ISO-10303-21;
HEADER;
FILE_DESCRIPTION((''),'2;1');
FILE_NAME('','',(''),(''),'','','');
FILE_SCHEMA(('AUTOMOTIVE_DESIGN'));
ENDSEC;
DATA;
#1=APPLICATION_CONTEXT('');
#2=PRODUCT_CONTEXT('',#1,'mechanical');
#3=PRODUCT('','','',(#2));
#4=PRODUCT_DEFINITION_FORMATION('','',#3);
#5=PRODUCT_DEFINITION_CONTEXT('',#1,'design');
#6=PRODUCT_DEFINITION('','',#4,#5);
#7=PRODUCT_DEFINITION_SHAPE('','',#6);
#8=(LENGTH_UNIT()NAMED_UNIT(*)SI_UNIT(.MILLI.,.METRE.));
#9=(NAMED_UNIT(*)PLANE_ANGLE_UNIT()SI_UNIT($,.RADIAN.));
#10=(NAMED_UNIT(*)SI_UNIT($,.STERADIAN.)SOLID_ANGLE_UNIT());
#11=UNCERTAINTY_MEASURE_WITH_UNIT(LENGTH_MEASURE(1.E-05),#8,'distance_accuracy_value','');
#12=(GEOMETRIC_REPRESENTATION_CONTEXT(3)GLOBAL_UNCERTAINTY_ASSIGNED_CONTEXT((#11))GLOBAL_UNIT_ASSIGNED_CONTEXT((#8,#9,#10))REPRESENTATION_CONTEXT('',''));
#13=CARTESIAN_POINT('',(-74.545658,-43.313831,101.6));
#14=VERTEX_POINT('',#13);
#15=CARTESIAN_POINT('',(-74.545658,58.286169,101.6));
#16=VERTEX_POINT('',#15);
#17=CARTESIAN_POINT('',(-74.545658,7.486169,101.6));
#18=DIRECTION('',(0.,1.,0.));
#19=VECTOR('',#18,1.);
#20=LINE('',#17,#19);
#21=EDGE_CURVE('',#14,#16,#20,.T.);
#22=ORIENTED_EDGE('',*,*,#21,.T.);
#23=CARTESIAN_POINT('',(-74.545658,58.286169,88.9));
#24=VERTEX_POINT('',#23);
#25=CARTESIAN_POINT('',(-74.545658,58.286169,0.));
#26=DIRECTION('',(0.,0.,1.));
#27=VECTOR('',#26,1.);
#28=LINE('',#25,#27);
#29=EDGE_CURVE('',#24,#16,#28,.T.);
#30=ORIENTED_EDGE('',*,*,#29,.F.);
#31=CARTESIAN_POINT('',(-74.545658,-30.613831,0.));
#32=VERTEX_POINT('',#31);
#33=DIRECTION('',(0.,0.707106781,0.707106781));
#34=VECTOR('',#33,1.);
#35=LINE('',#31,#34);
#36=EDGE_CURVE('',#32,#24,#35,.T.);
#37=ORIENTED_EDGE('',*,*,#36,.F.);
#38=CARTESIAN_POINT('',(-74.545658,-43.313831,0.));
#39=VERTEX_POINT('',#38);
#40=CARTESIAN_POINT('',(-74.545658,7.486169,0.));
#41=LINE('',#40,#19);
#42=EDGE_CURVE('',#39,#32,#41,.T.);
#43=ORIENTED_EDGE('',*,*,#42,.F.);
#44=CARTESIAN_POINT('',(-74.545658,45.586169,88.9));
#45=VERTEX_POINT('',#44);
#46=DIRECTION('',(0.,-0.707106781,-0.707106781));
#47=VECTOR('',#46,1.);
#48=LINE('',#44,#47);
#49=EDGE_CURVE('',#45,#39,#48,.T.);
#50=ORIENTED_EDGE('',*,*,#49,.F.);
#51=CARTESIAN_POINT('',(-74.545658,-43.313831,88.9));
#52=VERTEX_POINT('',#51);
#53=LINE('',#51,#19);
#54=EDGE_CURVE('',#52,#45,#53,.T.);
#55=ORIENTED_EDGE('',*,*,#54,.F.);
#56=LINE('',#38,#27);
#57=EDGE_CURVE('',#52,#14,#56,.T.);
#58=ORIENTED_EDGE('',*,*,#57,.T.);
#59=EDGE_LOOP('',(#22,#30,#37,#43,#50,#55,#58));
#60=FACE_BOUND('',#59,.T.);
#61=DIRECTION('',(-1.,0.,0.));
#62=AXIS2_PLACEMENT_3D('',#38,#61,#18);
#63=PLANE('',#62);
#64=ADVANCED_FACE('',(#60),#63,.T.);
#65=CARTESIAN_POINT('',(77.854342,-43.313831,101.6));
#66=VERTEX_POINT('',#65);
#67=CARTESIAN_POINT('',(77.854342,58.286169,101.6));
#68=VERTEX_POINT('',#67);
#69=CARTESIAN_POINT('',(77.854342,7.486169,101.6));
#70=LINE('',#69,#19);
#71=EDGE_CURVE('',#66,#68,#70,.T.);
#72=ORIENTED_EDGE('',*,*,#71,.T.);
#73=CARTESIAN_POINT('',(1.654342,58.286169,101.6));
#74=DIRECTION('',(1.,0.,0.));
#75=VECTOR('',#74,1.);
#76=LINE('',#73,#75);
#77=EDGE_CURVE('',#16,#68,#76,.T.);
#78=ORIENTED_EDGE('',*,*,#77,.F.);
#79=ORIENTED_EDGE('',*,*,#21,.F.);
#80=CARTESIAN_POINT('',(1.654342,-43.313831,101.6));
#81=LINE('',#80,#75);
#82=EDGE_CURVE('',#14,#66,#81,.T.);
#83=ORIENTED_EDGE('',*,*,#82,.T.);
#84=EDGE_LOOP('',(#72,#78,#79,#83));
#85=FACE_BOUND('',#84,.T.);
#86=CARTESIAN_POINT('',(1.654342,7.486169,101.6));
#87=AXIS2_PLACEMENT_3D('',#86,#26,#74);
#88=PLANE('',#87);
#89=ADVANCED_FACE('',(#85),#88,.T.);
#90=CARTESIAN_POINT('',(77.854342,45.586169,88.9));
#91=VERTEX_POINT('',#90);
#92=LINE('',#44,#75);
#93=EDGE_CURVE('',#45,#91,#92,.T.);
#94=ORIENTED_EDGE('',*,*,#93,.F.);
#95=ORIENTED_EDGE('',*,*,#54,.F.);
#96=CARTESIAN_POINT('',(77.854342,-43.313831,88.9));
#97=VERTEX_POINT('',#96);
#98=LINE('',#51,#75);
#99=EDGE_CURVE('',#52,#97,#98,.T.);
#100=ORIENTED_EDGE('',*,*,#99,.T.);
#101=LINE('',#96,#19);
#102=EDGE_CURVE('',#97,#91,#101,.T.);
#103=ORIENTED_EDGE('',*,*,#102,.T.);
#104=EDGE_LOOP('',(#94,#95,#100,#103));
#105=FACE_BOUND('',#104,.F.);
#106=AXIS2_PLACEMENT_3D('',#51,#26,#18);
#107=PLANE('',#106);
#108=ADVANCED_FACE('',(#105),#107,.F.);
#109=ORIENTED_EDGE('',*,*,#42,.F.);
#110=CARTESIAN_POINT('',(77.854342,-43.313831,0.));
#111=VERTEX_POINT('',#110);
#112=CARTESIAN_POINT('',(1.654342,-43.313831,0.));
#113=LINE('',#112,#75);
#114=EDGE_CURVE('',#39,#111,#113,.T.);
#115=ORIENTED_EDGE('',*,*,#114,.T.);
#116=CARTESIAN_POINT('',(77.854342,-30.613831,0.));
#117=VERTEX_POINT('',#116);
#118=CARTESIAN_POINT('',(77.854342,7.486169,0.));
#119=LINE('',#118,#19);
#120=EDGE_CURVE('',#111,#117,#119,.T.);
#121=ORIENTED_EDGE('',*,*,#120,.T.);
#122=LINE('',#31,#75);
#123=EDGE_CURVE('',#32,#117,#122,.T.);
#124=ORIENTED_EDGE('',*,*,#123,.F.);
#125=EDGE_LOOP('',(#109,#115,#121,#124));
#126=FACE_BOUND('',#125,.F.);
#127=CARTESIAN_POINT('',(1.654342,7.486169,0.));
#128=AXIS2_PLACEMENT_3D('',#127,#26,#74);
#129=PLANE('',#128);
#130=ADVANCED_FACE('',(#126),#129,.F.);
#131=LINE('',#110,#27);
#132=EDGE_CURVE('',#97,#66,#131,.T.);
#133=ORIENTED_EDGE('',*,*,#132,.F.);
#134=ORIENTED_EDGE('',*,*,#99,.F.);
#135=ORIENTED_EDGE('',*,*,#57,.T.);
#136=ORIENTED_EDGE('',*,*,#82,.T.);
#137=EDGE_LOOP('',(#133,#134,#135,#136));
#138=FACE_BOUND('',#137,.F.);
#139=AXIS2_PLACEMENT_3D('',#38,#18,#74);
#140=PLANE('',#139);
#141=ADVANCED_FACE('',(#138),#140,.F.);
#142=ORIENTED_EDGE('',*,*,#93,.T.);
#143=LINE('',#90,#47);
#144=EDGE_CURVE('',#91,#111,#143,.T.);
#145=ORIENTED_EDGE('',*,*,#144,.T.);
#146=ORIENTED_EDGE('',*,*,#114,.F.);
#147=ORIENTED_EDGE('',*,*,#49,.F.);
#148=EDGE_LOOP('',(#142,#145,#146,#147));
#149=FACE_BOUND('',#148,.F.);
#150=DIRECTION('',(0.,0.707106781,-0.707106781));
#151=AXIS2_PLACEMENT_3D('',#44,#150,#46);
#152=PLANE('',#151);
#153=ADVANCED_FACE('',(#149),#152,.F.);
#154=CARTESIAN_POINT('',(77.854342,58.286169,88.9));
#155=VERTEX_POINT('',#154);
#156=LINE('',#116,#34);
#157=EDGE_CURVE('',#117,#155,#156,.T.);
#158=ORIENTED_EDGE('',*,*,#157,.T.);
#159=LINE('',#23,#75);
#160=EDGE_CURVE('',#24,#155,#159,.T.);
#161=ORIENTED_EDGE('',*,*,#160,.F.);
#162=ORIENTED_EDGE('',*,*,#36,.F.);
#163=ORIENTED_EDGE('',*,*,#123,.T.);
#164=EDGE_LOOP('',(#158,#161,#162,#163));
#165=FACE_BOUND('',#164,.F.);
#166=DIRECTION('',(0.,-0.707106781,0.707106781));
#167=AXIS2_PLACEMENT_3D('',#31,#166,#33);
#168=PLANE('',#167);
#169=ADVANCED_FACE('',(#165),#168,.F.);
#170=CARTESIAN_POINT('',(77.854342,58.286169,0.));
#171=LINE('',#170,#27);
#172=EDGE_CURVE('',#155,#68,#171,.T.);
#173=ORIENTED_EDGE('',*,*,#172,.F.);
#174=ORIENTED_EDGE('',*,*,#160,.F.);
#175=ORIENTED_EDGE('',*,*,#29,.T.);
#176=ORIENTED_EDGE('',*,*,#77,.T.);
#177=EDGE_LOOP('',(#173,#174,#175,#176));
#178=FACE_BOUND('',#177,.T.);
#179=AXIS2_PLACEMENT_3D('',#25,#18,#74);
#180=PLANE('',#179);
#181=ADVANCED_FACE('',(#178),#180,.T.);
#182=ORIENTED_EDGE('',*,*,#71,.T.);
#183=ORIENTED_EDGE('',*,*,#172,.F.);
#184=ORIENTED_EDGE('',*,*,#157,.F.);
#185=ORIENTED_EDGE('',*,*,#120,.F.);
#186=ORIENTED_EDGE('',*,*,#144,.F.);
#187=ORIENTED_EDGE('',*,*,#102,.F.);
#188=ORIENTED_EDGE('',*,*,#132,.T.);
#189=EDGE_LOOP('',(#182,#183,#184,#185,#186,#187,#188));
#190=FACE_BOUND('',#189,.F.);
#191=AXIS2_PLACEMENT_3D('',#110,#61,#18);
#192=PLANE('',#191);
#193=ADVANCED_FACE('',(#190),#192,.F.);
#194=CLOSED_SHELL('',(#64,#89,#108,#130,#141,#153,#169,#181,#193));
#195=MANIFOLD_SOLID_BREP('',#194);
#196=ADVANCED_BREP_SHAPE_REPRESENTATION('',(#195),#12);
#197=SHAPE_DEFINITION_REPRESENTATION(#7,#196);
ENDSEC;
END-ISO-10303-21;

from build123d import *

# Parameters (mm, degrees)
F0_W     = 152.4
F0_H     = 101.6
F1_DEPTH = 101.6
F3_DEPTH = 152.4


with BuildPart() as f1:
    # F0 (on Top) → F1 (new body)
    with BuildSketch(Plane.XY):
        with Locations((1.654342, 7.486169)):
            Rectangle(F0_W, F0_H)
    extrude(amount=F1_DEPTH)

    # F2 (on face) → F3 (cut)
    with BuildSketch(Plane(origin=(-74.545658, 0, 0), x_dir=(0, -1, 0), z_dir=(-1, 0, 0))):
        Polygon((43.313831, 88.9), (-45.586169, 88.9), (43.313831, 0), align=None)
        Polygon((30.613831, 0), (-58.286169, 88.9), (-58.286169, 0), align=None)
    extrude(amount=-F3_DEPTH, mode=Mode.SUBTRACT)


solid = f1.part
